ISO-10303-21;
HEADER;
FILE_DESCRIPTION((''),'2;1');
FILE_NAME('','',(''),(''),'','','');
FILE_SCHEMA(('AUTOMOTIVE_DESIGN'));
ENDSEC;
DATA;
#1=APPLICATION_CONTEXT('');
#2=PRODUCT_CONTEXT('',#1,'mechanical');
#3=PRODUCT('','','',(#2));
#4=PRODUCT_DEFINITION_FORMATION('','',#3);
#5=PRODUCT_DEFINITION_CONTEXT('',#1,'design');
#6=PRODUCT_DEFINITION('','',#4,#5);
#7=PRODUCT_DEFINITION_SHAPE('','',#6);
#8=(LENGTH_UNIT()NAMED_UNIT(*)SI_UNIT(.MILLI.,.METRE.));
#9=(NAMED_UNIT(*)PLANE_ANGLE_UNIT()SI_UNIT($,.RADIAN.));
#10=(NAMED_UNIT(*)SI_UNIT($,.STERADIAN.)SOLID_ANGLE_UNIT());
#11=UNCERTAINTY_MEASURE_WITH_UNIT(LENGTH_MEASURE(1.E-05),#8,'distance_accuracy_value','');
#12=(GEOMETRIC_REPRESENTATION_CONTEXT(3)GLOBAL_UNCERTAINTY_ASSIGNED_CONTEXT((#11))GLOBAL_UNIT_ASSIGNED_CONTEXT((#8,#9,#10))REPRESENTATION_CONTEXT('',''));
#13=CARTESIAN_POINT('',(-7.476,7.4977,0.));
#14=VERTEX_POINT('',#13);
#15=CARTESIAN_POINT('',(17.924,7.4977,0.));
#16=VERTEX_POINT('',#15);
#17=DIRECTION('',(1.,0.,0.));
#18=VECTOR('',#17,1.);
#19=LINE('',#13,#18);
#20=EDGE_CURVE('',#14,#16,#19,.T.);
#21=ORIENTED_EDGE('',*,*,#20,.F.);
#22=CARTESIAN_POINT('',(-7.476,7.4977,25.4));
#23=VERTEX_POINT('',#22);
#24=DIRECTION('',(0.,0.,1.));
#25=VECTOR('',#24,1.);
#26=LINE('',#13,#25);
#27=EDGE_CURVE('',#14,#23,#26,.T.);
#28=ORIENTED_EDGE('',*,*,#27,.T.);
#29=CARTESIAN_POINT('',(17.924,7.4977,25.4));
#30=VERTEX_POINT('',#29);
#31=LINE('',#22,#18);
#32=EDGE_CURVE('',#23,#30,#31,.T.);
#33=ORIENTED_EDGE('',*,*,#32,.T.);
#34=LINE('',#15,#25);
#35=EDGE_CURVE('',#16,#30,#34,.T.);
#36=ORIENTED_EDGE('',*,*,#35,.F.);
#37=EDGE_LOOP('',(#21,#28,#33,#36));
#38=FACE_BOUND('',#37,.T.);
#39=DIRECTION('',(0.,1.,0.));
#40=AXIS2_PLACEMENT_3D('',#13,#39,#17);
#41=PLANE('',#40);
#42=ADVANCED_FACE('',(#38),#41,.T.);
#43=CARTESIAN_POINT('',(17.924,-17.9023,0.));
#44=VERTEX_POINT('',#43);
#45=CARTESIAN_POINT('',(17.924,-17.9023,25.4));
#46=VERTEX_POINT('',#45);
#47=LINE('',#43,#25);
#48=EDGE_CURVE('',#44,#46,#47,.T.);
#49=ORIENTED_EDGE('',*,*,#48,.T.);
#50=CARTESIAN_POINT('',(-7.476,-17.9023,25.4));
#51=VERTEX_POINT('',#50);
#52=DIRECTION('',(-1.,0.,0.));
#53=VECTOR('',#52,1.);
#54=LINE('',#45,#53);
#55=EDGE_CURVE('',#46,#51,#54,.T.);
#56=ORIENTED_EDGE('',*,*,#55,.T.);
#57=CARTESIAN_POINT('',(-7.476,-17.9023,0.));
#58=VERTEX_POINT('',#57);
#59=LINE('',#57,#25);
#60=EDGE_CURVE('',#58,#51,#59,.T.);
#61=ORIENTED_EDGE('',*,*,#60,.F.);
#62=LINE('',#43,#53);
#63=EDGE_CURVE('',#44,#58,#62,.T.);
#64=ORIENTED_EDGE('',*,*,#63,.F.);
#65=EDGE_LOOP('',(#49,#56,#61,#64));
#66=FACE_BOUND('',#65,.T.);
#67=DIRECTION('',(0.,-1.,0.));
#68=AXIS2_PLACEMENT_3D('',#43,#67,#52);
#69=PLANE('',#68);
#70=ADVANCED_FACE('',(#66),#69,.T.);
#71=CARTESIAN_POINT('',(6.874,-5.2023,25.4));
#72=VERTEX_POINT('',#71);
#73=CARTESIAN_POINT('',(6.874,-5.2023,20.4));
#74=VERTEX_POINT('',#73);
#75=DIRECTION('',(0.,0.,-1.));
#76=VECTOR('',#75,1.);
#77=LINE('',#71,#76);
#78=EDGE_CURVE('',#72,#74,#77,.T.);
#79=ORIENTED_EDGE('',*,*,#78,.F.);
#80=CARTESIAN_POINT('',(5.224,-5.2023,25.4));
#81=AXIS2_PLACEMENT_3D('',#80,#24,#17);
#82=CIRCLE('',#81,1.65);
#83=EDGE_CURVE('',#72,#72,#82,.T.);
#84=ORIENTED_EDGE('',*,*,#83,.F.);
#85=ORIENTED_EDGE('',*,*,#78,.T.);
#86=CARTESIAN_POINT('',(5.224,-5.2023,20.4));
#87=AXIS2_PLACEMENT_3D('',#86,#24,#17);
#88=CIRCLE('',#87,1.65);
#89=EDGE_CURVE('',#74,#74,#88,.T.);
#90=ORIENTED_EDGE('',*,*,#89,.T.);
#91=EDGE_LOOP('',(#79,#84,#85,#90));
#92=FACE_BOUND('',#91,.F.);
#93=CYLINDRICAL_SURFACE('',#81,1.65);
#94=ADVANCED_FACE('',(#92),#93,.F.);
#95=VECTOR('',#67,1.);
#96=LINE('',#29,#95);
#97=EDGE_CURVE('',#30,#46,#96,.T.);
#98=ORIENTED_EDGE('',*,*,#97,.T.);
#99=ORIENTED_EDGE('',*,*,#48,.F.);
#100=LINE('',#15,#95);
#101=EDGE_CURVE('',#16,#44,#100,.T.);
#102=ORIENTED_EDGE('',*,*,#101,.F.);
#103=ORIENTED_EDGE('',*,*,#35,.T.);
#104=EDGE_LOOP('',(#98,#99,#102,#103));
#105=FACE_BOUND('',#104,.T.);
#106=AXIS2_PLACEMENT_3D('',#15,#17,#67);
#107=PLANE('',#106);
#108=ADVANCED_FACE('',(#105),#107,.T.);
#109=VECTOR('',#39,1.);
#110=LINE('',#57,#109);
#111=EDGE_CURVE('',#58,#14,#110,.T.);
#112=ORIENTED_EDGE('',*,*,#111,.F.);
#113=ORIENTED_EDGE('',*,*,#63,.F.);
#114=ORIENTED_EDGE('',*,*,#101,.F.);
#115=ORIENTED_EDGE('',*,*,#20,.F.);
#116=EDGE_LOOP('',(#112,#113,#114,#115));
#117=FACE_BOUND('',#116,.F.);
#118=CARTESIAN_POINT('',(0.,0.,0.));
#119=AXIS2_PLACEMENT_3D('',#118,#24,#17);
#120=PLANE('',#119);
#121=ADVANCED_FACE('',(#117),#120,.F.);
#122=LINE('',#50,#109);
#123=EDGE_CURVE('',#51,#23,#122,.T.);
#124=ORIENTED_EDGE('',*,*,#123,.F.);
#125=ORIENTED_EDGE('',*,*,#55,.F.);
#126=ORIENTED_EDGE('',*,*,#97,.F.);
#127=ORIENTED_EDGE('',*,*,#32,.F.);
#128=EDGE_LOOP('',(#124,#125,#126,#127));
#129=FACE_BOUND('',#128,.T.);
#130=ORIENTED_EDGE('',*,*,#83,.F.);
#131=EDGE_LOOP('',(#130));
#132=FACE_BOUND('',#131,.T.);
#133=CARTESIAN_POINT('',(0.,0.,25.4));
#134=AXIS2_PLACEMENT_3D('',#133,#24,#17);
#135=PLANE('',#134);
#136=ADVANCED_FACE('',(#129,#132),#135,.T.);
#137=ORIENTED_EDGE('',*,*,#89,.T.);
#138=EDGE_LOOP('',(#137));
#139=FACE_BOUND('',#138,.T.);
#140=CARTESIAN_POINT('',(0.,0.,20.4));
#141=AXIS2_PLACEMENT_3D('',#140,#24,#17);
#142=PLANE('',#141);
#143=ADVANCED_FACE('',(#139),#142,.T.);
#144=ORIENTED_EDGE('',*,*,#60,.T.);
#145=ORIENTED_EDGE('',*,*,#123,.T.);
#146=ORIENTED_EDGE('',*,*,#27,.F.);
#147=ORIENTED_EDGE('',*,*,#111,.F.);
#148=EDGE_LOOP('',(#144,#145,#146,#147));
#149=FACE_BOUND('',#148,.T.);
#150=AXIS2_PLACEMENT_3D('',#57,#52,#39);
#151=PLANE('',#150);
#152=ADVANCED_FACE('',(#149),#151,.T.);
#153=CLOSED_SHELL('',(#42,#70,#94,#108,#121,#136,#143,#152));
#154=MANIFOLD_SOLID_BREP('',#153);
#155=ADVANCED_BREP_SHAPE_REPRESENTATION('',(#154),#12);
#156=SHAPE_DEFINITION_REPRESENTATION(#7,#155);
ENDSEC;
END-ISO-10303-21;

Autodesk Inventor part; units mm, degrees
ref_plane "YZ Plane" through (0, 0, 0) normal (1, 0, 0) x (0, 1, 0)
ref_plane "XZ Plane" through (0, 0, 0) normal (0, 1, 0) x (-1, 0, 0)
ref_plane "XY Plane" through (0, 0, 0) normal (0, 0, 1) x (1, 0, 0)
sketch "Sketch1" plane through (0, 0, 0) normal (0, 0, 1) x (1, 0, 0)
  line L0 (-7.476, 7.4977) -> (17.924, 7.4977)
  line L1 (17.924, 7.4977) -> (17.924, -17.9023)
  line L2 (17.924, -17.9023) -> (-7.476, -17.9023)
  line L3 (-7.476, -17.9023) -> (-7.476, 7.4977)
  point P0 (0, 0)
  dimension "d0" = 25.4
  dimension "d1" = 25.4
extrude "Extrusion1" add sketch "Sketch1" along normal blind 25.4
sketch "Sketch2" plane through (0, 0, 25.4) normal (0, 0, 1) x (1, 0, 0)
  line L0 (17.924, 7.4977) -> (-7.476, 7.4977) projected
  line L1 (-7.476, -17.9023) -> (17.924, -17.9023) projected
  line L2 (-7.476, 7.4977) -> (17.924, -17.9023) construction
  line L3 (-7.476, 7.4977) -> (-7.476, -17.9023) projected
  line L4 (17.924, 7.4977) -> (-7.476, -17.9023) construction
  circle A0 centre (5.224, -5.2023) radius 1.65
  point P0 (0, 0)
  dimension "d4" = 3.3
extrude "Extrusion2" cut sketch "Sketch2" against normal blind 5
properties part number "Motor test mount"
